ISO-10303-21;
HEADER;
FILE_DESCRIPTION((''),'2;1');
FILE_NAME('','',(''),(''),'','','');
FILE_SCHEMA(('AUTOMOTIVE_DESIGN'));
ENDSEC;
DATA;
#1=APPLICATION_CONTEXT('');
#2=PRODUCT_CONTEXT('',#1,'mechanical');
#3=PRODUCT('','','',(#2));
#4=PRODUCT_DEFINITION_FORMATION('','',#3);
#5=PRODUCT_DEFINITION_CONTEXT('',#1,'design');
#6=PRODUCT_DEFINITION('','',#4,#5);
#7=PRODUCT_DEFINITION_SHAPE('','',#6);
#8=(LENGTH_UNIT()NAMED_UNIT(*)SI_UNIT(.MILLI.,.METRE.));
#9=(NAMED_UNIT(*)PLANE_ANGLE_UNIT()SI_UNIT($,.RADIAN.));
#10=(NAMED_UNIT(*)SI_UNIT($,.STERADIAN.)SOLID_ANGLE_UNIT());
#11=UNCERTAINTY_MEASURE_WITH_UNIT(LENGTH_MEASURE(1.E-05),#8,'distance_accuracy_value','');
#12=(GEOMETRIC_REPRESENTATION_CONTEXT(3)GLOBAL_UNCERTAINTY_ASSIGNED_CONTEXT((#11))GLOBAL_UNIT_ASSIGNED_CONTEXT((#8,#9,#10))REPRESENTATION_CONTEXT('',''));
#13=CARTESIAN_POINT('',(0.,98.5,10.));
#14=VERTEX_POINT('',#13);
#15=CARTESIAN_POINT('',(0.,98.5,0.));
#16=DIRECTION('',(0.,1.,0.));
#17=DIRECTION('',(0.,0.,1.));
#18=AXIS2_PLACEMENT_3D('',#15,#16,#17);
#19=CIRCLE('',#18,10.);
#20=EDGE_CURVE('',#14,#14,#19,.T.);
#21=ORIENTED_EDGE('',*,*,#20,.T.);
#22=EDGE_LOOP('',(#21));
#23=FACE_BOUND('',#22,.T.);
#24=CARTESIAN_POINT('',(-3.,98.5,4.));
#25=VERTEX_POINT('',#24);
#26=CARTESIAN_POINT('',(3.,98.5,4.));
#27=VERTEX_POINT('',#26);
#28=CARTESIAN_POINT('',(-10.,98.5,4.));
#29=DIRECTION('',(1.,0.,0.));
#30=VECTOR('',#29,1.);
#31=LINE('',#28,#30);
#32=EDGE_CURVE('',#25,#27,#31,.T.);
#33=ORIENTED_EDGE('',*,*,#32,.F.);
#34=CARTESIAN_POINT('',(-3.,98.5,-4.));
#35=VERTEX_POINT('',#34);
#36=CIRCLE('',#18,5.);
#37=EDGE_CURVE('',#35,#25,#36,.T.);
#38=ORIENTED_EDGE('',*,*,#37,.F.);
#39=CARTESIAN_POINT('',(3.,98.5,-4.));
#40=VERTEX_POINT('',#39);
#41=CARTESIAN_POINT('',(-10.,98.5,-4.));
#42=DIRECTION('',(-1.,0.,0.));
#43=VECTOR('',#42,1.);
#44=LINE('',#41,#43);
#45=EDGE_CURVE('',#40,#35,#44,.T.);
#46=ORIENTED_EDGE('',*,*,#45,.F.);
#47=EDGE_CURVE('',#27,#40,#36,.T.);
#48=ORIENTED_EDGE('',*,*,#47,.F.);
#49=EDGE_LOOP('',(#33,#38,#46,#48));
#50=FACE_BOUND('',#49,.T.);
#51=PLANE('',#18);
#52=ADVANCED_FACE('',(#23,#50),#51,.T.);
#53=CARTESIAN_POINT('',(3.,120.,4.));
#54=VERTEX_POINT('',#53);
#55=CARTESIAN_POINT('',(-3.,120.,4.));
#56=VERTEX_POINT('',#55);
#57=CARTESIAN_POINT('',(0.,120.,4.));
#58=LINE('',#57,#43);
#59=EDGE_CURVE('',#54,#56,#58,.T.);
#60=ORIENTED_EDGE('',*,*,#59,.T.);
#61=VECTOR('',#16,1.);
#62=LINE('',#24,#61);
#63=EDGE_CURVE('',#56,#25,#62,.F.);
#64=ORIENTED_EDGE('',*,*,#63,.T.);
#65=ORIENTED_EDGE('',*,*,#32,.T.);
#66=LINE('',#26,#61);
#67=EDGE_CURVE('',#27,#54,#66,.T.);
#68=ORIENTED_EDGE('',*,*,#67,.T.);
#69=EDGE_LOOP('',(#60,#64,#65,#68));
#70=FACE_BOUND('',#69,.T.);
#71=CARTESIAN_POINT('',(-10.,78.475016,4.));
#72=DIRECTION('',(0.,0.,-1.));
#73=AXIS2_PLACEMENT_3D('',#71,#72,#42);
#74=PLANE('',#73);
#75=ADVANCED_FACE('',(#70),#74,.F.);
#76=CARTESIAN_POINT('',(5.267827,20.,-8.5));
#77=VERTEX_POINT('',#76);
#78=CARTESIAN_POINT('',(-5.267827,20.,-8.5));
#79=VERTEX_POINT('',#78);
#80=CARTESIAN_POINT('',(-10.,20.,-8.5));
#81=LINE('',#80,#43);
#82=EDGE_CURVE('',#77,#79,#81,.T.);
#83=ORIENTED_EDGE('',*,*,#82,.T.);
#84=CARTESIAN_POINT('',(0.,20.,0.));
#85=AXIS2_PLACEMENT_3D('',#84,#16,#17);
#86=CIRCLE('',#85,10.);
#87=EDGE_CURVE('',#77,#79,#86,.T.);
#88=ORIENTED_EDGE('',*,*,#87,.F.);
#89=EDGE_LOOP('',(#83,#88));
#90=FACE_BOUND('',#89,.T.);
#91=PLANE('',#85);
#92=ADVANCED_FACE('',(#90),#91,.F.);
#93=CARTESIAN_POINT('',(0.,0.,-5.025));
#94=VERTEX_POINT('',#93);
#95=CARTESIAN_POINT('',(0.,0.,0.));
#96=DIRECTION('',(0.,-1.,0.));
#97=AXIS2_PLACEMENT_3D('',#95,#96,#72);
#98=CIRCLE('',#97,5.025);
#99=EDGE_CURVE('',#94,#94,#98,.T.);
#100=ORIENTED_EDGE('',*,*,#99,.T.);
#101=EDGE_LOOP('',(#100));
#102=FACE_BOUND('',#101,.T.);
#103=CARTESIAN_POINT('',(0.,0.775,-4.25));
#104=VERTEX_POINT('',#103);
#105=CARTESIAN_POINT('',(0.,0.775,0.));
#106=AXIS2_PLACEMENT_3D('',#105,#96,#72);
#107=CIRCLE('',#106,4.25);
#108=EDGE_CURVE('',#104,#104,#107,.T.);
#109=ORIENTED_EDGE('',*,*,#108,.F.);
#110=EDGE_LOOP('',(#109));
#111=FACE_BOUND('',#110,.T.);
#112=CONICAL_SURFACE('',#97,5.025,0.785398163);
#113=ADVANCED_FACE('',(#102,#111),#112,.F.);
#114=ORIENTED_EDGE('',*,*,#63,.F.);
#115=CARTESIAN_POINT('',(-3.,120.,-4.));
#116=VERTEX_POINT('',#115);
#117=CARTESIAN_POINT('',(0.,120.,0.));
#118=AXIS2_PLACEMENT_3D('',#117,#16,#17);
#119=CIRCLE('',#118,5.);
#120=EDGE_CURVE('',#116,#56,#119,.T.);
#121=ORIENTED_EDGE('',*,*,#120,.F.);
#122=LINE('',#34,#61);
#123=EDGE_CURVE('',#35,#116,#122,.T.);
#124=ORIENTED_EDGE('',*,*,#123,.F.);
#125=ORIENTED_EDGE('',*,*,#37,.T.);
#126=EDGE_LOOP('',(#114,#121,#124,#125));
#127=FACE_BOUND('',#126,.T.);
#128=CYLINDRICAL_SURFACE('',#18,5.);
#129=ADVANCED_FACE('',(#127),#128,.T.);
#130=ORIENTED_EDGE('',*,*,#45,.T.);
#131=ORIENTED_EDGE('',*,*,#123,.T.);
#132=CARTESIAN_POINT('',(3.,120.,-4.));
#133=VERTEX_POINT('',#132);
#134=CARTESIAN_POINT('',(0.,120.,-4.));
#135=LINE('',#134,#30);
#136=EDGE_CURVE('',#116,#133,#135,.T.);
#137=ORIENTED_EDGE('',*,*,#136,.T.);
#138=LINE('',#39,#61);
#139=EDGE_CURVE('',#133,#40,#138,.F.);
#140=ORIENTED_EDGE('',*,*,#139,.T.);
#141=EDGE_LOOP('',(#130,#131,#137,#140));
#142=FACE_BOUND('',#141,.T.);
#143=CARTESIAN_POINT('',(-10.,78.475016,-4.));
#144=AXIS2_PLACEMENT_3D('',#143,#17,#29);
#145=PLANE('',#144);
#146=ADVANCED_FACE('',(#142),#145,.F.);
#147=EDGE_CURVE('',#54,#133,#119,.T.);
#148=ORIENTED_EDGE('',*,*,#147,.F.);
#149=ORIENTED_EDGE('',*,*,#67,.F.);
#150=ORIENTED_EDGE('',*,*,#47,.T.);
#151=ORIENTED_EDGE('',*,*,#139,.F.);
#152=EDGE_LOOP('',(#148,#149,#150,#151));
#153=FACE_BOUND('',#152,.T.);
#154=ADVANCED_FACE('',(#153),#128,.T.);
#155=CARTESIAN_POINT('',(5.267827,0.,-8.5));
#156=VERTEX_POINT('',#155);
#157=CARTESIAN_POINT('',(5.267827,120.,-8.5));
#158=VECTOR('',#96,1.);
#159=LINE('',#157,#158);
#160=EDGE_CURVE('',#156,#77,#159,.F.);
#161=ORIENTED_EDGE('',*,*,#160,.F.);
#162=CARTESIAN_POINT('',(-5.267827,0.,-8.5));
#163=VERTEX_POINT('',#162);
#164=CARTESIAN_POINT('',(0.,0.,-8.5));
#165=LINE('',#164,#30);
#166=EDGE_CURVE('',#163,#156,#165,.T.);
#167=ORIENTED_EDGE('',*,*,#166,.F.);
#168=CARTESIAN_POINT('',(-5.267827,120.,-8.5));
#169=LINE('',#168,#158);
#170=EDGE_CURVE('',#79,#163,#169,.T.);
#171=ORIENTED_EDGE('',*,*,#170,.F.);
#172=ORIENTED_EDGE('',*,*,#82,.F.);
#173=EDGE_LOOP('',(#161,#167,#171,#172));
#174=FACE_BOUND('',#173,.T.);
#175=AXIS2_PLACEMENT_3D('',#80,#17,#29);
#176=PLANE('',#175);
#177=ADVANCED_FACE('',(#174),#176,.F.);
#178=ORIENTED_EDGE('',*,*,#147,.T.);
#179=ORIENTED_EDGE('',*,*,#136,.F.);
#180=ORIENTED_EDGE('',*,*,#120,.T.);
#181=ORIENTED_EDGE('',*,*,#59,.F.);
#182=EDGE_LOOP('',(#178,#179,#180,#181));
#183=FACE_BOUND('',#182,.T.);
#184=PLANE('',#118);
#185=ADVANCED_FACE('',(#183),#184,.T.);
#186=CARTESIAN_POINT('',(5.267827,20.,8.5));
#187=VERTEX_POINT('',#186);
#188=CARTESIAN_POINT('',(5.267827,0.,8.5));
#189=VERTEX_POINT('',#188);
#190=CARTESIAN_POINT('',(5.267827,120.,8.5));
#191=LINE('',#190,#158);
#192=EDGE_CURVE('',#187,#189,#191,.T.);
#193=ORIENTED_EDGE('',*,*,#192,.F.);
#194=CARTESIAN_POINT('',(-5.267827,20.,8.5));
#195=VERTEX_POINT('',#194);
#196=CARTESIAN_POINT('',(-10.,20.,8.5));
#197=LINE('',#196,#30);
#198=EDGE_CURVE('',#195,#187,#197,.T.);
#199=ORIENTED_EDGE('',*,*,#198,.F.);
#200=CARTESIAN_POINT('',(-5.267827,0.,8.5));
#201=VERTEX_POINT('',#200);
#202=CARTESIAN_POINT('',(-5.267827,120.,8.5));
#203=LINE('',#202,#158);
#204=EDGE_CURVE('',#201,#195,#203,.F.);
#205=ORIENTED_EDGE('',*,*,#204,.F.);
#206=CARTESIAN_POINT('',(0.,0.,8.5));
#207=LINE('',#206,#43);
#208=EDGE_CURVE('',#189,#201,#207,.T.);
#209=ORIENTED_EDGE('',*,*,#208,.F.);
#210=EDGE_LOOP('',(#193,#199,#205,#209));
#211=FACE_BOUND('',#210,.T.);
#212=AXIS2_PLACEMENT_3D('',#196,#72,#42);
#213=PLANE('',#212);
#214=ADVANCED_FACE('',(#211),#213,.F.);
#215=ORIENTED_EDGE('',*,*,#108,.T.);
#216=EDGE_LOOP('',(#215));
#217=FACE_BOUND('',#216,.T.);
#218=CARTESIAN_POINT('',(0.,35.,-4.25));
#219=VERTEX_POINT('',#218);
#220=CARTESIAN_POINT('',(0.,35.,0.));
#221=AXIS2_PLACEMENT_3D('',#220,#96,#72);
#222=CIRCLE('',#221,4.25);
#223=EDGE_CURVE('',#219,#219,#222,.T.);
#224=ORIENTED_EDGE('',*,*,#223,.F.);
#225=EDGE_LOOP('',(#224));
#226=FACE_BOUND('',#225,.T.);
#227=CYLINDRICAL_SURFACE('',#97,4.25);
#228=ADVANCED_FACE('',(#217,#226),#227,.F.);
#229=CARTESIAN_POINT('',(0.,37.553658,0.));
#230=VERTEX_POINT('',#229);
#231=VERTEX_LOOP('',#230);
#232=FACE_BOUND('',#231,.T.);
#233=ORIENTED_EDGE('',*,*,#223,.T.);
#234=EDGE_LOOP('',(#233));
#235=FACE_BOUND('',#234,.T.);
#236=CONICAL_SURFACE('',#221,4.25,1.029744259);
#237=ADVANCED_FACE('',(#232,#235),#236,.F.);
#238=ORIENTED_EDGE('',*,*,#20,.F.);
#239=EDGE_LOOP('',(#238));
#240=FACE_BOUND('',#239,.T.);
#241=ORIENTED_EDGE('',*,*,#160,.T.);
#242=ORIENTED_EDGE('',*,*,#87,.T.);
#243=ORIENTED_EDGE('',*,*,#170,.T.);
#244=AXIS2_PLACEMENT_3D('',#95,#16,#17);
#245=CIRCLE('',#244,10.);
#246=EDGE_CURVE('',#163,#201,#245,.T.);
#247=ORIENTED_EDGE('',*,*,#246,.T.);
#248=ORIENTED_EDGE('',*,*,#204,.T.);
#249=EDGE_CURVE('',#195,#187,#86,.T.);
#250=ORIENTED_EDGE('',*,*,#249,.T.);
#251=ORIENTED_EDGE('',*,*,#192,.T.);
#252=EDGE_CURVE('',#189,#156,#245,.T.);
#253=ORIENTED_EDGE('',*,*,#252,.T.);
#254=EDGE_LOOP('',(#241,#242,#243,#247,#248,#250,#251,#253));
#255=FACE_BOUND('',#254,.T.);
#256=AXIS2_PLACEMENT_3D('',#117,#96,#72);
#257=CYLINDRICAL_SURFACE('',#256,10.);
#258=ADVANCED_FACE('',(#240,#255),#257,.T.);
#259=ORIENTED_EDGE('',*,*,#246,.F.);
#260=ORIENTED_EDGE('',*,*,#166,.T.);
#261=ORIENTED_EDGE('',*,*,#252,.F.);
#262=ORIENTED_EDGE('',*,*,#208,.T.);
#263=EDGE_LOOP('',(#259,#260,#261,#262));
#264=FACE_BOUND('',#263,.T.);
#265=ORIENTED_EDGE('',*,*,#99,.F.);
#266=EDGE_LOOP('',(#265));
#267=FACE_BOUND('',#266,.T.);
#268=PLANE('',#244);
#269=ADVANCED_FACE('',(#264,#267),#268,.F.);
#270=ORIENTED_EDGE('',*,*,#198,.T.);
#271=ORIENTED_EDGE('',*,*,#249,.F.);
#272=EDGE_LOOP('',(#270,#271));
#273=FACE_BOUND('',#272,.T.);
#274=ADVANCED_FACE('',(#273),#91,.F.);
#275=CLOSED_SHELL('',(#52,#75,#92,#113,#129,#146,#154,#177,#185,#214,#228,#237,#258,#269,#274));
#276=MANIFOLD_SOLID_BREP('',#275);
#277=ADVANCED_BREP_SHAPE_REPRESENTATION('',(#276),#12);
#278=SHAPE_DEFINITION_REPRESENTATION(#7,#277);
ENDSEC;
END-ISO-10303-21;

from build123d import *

# Parameters (mm, degrees)
ESQUISSE1_R                  = 10
BOSS_EXTRU_1_DEPTH           = 120
ESQUISSE2_R                  = 10
ESQUISSE2_R_2                = 5
ENL_V_MAT_EXTRU_1_DEPTH      = 21.5
TROU_TARAUD_M101_D           = 8.5
TROU_TARAUD_M101_DEPTH       = 35
TROU_TARAUD_M101_CSINK_D     = 10.05
TROU_TARAUD_M101_CSINK_ANGLE = 90
TROU_TARAUD_M101_TIP         = 2.553657631
ESQUISSE14_W                 = 20
ESQUISSE14_H                 = 1.5
ENL_V_MAT_EXTRU_2_DEPTH      = 20
ESQUISSE15_W                 = 20
ESQUISSE15_H                 = 1
ENL_V_MAT_EXTRU_5_DEPTH      = 21.5


with BuildPart() as part:
    # Esquisse1 → Boss.-Extru.1 (new body)
    with BuildSketch(Plane(origin=(0, 0, 0), x_dir=(1, 0, 0), z_dir=(0, 1, 0))):
        with Locations(Location((0, 0, 0), (0, 0, 270))):  # turned: the seam where the file's is
            Circle(ESQUISSE1_R)
    extrude(amount=BOSS_EXTRU_1_DEPTH)

    # Esquisse2 → Enlèv. mat.-Extru.1 (cut)
    with BuildSketch(Plane(origin=(0, 120, 0), x_dir=(1, 0, 0), z_dir=(0, 1, 0))):
        with Locations(Location((0, 0, 0), (0, 0, 270))):  # turned: the seam where the file's is
            Circle(ESQUISSE2_R)
        with Locations(Location((0, 0, 0), (0, 0, 270))):  # turned: the seam where the file's is
            Circle(ESQUISSE2_R_2, mode=Mode.SUBTRACT)
    extrude(amount=-ENL_V_MAT_EXTRU_1_DEPTH, mode=Mode.SUBTRACT)

    # Trou taraudé M101
    with Locations(Plane(origin=(0, 0, 0), x_dir=(-1, 0, 0), z_dir=(0, -1, 0))):
        with Locations((0, 0)):
            CounterSinkHole(TROU_TARAUD_M101_D / 2, TROU_TARAUD_M101_CSINK_D / 2, depth=TROU_TARAUD_M101_DEPTH, counter_sink_angle=TROU_TARAUD_M101_CSINK_ANGLE)
            with Locations((0, 0, -(TROU_TARAUD_M101_DEPTH + TROU_TARAUD_M101_TIP / 2))):  # 118° drill point
                Cone(0, TROU_TARAUD_M101_D / 2, TROU_TARAUD_M101_TIP, mode=Mode.SUBTRACT)

    # Esquisse14 → Enlèv. mat.-Extru.2 (cut)
    with BuildSketch(Plane.XZ):
        with Locations((0, 9.25)):
            Rectangle(ESQUISSE14_W, ESQUISSE14_H)
        with Locations((0, -9.25)):
            Rectangle(ESQUISSE14_W, ESQUISSE14_H)
    extrude(amount=-ENL_V_MAT_EXTRU_2_DEPTH, mode=Mode.SUBTRACT)

    # Esquisse15 → Enlèv. mat.-Extru.5 (cut)
    with BuildSketch(Plane(origin=(0, 120, 0), x_dir=(1, 0, 0), z_dir=(0, 1, 0))):
        with Locations((0, 4.5)):
            Rectangle(ESQUISSE15_W, ESQUISSE15_H)
        with Locations((0, -4.5)):
            Rectangle(ESQUISSE15_W, ESQUISSE15_H)
    extrude(amount=-ENL_V_MAT_EXTRU_5_DEPTH, mode=Mode.SUBTRACT)


solid = part.part
